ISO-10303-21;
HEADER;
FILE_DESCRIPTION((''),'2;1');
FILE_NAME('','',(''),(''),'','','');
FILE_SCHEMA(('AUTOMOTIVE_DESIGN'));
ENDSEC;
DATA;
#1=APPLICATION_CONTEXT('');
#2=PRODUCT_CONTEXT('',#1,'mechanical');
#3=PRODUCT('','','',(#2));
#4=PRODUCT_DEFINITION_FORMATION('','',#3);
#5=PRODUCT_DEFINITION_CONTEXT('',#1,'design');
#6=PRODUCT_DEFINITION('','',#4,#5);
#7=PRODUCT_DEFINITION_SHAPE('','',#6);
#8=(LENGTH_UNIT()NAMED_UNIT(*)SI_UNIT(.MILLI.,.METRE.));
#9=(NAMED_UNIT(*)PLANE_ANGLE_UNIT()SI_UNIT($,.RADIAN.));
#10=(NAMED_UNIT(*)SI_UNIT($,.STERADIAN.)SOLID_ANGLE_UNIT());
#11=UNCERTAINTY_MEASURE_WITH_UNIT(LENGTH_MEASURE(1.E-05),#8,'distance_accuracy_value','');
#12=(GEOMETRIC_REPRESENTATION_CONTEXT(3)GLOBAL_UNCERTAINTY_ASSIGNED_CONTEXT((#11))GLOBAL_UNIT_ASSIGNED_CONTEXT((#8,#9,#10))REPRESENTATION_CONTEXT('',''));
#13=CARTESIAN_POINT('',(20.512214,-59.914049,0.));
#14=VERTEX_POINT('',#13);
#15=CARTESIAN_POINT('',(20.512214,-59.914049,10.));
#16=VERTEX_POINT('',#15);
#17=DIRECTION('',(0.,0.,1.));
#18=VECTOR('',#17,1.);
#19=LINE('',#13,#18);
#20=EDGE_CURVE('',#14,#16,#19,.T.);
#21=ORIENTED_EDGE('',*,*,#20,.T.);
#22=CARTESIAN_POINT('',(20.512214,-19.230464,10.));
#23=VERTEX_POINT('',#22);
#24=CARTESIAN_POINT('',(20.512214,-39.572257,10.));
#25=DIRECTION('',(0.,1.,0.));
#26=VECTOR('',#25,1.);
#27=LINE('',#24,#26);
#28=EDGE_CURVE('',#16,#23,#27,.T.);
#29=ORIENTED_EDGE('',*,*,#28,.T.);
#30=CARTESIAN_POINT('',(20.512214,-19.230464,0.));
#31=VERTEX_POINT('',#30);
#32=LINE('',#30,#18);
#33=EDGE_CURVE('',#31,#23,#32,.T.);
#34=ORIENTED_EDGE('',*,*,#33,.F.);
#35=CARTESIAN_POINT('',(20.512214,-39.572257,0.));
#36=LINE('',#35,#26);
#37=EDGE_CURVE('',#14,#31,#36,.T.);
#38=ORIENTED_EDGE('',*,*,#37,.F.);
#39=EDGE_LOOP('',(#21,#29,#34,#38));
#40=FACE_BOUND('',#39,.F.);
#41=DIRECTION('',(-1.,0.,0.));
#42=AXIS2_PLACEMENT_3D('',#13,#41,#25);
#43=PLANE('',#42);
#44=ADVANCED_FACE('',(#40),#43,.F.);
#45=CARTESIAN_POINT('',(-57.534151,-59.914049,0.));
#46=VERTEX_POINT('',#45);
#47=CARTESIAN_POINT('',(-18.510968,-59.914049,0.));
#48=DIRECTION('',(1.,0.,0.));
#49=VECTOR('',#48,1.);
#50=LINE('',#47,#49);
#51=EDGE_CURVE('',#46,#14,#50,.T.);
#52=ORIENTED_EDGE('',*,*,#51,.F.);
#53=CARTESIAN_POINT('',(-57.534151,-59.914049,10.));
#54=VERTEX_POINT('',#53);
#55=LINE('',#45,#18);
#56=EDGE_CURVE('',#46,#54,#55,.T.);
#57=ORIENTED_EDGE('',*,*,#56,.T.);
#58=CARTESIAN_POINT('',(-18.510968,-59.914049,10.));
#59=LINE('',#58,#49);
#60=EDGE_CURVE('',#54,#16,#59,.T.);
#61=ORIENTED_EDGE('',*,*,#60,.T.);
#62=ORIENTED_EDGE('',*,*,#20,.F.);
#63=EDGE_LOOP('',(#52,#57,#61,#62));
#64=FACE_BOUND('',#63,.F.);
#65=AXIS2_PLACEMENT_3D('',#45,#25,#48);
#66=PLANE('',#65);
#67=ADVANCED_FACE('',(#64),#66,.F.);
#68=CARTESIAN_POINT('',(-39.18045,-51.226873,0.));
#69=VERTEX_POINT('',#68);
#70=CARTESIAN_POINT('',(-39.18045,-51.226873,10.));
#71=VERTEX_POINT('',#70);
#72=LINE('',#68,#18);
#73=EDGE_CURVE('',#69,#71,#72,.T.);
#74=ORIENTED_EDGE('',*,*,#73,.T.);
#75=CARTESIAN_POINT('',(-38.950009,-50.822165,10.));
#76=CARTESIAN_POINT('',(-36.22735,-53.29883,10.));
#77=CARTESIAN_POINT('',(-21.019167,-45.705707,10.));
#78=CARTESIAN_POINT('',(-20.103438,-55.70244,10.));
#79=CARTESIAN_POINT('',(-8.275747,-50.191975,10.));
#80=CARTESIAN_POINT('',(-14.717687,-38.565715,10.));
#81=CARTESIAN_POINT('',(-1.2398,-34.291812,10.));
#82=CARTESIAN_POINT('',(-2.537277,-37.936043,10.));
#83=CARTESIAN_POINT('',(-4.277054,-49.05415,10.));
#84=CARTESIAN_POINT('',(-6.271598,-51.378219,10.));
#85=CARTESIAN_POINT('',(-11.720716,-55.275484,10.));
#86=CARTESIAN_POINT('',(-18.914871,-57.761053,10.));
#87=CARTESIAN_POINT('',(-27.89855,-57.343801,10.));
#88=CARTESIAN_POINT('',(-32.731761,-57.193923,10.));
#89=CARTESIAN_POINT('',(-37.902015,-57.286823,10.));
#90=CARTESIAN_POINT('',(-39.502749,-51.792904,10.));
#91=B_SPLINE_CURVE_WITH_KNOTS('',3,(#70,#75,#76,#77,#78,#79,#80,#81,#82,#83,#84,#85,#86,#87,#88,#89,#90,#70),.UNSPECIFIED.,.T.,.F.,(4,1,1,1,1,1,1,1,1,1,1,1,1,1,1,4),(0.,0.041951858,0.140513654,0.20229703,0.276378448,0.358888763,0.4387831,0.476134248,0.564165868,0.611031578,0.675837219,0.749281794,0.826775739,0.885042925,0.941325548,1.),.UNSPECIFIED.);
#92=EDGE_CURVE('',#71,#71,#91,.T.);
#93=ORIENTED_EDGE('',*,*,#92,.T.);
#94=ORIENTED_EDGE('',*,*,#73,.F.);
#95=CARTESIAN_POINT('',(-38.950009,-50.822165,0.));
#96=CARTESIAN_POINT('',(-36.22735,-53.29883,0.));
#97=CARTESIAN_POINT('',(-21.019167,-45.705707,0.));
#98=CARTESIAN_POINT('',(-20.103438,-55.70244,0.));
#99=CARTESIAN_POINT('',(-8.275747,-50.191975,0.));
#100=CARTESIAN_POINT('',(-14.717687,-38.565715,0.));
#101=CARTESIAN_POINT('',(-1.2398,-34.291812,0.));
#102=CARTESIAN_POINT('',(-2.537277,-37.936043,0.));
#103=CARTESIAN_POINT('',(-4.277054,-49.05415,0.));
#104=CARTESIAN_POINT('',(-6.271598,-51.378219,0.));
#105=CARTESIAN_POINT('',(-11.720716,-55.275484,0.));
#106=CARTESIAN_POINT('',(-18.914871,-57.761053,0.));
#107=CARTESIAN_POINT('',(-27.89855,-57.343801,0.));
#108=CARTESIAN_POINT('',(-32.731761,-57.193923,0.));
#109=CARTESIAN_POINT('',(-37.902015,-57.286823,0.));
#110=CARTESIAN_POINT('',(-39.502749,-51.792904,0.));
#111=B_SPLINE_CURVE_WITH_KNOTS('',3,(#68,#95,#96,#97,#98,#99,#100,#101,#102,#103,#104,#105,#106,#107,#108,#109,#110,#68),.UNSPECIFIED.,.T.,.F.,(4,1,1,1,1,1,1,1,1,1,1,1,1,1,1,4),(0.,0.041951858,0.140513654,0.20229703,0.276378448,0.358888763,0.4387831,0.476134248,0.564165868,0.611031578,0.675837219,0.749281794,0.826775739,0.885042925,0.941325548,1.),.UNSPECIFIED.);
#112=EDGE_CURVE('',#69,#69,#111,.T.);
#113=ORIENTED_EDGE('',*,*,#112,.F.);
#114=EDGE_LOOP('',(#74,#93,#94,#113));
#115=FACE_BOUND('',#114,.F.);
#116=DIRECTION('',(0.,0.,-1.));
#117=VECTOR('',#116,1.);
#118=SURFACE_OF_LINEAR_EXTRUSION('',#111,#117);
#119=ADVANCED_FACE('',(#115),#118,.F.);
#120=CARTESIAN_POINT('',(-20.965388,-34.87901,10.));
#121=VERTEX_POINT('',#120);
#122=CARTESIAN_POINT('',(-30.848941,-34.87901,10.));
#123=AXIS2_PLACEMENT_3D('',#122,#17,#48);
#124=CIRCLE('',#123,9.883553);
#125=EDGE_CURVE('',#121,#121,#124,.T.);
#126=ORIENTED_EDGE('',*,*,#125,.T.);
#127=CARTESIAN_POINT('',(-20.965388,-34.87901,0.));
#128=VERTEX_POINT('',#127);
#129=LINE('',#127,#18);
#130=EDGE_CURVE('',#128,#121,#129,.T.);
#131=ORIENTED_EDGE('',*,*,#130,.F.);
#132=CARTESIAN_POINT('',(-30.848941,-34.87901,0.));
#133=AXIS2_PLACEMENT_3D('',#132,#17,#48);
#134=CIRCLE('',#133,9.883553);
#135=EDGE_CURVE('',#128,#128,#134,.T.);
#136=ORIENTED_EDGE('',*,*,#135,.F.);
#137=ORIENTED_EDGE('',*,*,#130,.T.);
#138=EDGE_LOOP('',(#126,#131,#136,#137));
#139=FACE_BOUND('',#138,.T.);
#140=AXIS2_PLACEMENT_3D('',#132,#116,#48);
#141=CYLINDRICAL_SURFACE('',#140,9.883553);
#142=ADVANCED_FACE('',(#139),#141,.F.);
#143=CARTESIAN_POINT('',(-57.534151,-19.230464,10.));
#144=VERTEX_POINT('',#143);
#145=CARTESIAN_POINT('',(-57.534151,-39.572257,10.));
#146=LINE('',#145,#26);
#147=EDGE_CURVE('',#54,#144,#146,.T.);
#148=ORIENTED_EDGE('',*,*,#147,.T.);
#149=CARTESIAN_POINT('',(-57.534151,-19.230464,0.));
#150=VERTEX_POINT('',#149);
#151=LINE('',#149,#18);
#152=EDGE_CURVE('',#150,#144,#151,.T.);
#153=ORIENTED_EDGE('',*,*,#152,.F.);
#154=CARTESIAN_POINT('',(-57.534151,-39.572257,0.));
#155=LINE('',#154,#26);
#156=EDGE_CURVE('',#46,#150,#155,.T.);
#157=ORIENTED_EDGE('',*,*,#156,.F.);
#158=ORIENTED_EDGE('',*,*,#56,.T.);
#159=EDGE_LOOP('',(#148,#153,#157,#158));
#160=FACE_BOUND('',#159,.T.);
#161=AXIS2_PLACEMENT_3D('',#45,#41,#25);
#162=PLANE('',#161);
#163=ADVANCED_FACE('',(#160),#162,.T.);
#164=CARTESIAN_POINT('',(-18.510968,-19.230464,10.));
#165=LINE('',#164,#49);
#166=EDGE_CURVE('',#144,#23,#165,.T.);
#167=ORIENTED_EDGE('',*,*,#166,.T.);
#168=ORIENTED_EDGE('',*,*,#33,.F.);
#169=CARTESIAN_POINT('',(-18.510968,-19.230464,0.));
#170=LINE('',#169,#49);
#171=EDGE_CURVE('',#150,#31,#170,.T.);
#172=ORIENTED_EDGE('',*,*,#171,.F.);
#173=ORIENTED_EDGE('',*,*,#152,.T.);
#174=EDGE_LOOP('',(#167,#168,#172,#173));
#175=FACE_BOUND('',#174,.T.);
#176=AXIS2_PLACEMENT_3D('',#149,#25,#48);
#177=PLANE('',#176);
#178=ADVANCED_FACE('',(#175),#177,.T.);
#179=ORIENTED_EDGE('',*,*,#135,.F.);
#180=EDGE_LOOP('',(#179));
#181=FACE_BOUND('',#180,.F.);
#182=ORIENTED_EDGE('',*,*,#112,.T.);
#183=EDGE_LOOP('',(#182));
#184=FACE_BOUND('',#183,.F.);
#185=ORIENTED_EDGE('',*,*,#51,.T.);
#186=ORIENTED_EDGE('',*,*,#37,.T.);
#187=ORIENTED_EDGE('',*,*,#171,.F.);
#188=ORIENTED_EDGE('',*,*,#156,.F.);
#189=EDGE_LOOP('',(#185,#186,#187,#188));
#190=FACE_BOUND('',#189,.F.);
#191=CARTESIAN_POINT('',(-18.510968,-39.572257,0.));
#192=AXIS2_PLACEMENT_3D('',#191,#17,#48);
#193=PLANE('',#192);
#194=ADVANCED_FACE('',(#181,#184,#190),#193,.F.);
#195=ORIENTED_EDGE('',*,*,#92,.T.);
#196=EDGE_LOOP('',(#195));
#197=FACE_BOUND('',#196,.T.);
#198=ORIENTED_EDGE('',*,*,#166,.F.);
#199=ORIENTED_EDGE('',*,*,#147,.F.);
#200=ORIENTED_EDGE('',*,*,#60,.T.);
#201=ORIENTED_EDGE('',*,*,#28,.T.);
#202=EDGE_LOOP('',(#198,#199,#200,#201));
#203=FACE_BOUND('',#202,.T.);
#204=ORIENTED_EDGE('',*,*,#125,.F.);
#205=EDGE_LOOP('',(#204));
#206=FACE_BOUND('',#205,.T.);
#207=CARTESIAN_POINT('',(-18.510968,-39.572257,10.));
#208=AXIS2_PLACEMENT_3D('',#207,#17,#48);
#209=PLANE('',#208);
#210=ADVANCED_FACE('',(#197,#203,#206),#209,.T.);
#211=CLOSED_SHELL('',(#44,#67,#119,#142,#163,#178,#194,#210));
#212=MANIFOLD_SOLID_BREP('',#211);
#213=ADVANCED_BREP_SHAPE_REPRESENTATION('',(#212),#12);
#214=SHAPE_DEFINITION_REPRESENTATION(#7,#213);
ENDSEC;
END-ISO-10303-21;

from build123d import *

# Parameters (mm, degrees)
F0_W     = 78.0463647097
F0_H     = 40.6835842878
F0_R     = 9.883553285
F1_DEPTH = 10


with BuildPart() as f1:
    # F0 (on Top) → F1 (new body)
    with BuildSketch(Plane.XY):
        with Locations((-18.5109684244, -39.5722566172)):
            Rectangle(F0_W, F0_H)
        with BuildLine():
            add(Edge.make_bspline(
                [(-39.1804501414, -51.2268729508), (-38.9500086589, -50.8221646198), (-36.2273500626, -53.2988304369), (-21.0191665348, -45.7057069125), (-20.1034375853, -55.7024396351), (-8.2757466105, -50.1919752734), (-14.7176866137, -38.5657152473), (-1.2397997116, -34.2918120461), (-2.5372772848, -37.936042764), (-4.2770540861, -49.0541497556), (-6.2715978196, -51.3782192343), (-11.7207156255, -55.2754841231), (-18.9148708475, -57.7610526047), (-27.8985503607, -57.3438005339), (-32.7317613507, -57.193923357), (-37.9020154204, -57.2868227829), (-39.5027488027, -51.7929036492), (-39.1804501414, -51.2268729508)],
                knots=[0, 0, 0, 0, 0.0419518581, 0.1405136544, 0.2022970296, 0.2763784481, 0.3588887629, 0.4387831003, 0.4761342478, 0.5641658679, 0.6110315778, 0.6758372192, 0.7492817941, 0.8267757386, 0.8850429254, 0.941325548, 1, 1, 1, 1], degree=3))
        make_face(mode=Mode.SUBTRACT)
        with Locations((-30.8489408344, -34.8790101707)):
            Circle(F0_R, mode=Mode.SUBTRACT)
    extrude(amount=F1_DEPTH)


solid = f1.part
